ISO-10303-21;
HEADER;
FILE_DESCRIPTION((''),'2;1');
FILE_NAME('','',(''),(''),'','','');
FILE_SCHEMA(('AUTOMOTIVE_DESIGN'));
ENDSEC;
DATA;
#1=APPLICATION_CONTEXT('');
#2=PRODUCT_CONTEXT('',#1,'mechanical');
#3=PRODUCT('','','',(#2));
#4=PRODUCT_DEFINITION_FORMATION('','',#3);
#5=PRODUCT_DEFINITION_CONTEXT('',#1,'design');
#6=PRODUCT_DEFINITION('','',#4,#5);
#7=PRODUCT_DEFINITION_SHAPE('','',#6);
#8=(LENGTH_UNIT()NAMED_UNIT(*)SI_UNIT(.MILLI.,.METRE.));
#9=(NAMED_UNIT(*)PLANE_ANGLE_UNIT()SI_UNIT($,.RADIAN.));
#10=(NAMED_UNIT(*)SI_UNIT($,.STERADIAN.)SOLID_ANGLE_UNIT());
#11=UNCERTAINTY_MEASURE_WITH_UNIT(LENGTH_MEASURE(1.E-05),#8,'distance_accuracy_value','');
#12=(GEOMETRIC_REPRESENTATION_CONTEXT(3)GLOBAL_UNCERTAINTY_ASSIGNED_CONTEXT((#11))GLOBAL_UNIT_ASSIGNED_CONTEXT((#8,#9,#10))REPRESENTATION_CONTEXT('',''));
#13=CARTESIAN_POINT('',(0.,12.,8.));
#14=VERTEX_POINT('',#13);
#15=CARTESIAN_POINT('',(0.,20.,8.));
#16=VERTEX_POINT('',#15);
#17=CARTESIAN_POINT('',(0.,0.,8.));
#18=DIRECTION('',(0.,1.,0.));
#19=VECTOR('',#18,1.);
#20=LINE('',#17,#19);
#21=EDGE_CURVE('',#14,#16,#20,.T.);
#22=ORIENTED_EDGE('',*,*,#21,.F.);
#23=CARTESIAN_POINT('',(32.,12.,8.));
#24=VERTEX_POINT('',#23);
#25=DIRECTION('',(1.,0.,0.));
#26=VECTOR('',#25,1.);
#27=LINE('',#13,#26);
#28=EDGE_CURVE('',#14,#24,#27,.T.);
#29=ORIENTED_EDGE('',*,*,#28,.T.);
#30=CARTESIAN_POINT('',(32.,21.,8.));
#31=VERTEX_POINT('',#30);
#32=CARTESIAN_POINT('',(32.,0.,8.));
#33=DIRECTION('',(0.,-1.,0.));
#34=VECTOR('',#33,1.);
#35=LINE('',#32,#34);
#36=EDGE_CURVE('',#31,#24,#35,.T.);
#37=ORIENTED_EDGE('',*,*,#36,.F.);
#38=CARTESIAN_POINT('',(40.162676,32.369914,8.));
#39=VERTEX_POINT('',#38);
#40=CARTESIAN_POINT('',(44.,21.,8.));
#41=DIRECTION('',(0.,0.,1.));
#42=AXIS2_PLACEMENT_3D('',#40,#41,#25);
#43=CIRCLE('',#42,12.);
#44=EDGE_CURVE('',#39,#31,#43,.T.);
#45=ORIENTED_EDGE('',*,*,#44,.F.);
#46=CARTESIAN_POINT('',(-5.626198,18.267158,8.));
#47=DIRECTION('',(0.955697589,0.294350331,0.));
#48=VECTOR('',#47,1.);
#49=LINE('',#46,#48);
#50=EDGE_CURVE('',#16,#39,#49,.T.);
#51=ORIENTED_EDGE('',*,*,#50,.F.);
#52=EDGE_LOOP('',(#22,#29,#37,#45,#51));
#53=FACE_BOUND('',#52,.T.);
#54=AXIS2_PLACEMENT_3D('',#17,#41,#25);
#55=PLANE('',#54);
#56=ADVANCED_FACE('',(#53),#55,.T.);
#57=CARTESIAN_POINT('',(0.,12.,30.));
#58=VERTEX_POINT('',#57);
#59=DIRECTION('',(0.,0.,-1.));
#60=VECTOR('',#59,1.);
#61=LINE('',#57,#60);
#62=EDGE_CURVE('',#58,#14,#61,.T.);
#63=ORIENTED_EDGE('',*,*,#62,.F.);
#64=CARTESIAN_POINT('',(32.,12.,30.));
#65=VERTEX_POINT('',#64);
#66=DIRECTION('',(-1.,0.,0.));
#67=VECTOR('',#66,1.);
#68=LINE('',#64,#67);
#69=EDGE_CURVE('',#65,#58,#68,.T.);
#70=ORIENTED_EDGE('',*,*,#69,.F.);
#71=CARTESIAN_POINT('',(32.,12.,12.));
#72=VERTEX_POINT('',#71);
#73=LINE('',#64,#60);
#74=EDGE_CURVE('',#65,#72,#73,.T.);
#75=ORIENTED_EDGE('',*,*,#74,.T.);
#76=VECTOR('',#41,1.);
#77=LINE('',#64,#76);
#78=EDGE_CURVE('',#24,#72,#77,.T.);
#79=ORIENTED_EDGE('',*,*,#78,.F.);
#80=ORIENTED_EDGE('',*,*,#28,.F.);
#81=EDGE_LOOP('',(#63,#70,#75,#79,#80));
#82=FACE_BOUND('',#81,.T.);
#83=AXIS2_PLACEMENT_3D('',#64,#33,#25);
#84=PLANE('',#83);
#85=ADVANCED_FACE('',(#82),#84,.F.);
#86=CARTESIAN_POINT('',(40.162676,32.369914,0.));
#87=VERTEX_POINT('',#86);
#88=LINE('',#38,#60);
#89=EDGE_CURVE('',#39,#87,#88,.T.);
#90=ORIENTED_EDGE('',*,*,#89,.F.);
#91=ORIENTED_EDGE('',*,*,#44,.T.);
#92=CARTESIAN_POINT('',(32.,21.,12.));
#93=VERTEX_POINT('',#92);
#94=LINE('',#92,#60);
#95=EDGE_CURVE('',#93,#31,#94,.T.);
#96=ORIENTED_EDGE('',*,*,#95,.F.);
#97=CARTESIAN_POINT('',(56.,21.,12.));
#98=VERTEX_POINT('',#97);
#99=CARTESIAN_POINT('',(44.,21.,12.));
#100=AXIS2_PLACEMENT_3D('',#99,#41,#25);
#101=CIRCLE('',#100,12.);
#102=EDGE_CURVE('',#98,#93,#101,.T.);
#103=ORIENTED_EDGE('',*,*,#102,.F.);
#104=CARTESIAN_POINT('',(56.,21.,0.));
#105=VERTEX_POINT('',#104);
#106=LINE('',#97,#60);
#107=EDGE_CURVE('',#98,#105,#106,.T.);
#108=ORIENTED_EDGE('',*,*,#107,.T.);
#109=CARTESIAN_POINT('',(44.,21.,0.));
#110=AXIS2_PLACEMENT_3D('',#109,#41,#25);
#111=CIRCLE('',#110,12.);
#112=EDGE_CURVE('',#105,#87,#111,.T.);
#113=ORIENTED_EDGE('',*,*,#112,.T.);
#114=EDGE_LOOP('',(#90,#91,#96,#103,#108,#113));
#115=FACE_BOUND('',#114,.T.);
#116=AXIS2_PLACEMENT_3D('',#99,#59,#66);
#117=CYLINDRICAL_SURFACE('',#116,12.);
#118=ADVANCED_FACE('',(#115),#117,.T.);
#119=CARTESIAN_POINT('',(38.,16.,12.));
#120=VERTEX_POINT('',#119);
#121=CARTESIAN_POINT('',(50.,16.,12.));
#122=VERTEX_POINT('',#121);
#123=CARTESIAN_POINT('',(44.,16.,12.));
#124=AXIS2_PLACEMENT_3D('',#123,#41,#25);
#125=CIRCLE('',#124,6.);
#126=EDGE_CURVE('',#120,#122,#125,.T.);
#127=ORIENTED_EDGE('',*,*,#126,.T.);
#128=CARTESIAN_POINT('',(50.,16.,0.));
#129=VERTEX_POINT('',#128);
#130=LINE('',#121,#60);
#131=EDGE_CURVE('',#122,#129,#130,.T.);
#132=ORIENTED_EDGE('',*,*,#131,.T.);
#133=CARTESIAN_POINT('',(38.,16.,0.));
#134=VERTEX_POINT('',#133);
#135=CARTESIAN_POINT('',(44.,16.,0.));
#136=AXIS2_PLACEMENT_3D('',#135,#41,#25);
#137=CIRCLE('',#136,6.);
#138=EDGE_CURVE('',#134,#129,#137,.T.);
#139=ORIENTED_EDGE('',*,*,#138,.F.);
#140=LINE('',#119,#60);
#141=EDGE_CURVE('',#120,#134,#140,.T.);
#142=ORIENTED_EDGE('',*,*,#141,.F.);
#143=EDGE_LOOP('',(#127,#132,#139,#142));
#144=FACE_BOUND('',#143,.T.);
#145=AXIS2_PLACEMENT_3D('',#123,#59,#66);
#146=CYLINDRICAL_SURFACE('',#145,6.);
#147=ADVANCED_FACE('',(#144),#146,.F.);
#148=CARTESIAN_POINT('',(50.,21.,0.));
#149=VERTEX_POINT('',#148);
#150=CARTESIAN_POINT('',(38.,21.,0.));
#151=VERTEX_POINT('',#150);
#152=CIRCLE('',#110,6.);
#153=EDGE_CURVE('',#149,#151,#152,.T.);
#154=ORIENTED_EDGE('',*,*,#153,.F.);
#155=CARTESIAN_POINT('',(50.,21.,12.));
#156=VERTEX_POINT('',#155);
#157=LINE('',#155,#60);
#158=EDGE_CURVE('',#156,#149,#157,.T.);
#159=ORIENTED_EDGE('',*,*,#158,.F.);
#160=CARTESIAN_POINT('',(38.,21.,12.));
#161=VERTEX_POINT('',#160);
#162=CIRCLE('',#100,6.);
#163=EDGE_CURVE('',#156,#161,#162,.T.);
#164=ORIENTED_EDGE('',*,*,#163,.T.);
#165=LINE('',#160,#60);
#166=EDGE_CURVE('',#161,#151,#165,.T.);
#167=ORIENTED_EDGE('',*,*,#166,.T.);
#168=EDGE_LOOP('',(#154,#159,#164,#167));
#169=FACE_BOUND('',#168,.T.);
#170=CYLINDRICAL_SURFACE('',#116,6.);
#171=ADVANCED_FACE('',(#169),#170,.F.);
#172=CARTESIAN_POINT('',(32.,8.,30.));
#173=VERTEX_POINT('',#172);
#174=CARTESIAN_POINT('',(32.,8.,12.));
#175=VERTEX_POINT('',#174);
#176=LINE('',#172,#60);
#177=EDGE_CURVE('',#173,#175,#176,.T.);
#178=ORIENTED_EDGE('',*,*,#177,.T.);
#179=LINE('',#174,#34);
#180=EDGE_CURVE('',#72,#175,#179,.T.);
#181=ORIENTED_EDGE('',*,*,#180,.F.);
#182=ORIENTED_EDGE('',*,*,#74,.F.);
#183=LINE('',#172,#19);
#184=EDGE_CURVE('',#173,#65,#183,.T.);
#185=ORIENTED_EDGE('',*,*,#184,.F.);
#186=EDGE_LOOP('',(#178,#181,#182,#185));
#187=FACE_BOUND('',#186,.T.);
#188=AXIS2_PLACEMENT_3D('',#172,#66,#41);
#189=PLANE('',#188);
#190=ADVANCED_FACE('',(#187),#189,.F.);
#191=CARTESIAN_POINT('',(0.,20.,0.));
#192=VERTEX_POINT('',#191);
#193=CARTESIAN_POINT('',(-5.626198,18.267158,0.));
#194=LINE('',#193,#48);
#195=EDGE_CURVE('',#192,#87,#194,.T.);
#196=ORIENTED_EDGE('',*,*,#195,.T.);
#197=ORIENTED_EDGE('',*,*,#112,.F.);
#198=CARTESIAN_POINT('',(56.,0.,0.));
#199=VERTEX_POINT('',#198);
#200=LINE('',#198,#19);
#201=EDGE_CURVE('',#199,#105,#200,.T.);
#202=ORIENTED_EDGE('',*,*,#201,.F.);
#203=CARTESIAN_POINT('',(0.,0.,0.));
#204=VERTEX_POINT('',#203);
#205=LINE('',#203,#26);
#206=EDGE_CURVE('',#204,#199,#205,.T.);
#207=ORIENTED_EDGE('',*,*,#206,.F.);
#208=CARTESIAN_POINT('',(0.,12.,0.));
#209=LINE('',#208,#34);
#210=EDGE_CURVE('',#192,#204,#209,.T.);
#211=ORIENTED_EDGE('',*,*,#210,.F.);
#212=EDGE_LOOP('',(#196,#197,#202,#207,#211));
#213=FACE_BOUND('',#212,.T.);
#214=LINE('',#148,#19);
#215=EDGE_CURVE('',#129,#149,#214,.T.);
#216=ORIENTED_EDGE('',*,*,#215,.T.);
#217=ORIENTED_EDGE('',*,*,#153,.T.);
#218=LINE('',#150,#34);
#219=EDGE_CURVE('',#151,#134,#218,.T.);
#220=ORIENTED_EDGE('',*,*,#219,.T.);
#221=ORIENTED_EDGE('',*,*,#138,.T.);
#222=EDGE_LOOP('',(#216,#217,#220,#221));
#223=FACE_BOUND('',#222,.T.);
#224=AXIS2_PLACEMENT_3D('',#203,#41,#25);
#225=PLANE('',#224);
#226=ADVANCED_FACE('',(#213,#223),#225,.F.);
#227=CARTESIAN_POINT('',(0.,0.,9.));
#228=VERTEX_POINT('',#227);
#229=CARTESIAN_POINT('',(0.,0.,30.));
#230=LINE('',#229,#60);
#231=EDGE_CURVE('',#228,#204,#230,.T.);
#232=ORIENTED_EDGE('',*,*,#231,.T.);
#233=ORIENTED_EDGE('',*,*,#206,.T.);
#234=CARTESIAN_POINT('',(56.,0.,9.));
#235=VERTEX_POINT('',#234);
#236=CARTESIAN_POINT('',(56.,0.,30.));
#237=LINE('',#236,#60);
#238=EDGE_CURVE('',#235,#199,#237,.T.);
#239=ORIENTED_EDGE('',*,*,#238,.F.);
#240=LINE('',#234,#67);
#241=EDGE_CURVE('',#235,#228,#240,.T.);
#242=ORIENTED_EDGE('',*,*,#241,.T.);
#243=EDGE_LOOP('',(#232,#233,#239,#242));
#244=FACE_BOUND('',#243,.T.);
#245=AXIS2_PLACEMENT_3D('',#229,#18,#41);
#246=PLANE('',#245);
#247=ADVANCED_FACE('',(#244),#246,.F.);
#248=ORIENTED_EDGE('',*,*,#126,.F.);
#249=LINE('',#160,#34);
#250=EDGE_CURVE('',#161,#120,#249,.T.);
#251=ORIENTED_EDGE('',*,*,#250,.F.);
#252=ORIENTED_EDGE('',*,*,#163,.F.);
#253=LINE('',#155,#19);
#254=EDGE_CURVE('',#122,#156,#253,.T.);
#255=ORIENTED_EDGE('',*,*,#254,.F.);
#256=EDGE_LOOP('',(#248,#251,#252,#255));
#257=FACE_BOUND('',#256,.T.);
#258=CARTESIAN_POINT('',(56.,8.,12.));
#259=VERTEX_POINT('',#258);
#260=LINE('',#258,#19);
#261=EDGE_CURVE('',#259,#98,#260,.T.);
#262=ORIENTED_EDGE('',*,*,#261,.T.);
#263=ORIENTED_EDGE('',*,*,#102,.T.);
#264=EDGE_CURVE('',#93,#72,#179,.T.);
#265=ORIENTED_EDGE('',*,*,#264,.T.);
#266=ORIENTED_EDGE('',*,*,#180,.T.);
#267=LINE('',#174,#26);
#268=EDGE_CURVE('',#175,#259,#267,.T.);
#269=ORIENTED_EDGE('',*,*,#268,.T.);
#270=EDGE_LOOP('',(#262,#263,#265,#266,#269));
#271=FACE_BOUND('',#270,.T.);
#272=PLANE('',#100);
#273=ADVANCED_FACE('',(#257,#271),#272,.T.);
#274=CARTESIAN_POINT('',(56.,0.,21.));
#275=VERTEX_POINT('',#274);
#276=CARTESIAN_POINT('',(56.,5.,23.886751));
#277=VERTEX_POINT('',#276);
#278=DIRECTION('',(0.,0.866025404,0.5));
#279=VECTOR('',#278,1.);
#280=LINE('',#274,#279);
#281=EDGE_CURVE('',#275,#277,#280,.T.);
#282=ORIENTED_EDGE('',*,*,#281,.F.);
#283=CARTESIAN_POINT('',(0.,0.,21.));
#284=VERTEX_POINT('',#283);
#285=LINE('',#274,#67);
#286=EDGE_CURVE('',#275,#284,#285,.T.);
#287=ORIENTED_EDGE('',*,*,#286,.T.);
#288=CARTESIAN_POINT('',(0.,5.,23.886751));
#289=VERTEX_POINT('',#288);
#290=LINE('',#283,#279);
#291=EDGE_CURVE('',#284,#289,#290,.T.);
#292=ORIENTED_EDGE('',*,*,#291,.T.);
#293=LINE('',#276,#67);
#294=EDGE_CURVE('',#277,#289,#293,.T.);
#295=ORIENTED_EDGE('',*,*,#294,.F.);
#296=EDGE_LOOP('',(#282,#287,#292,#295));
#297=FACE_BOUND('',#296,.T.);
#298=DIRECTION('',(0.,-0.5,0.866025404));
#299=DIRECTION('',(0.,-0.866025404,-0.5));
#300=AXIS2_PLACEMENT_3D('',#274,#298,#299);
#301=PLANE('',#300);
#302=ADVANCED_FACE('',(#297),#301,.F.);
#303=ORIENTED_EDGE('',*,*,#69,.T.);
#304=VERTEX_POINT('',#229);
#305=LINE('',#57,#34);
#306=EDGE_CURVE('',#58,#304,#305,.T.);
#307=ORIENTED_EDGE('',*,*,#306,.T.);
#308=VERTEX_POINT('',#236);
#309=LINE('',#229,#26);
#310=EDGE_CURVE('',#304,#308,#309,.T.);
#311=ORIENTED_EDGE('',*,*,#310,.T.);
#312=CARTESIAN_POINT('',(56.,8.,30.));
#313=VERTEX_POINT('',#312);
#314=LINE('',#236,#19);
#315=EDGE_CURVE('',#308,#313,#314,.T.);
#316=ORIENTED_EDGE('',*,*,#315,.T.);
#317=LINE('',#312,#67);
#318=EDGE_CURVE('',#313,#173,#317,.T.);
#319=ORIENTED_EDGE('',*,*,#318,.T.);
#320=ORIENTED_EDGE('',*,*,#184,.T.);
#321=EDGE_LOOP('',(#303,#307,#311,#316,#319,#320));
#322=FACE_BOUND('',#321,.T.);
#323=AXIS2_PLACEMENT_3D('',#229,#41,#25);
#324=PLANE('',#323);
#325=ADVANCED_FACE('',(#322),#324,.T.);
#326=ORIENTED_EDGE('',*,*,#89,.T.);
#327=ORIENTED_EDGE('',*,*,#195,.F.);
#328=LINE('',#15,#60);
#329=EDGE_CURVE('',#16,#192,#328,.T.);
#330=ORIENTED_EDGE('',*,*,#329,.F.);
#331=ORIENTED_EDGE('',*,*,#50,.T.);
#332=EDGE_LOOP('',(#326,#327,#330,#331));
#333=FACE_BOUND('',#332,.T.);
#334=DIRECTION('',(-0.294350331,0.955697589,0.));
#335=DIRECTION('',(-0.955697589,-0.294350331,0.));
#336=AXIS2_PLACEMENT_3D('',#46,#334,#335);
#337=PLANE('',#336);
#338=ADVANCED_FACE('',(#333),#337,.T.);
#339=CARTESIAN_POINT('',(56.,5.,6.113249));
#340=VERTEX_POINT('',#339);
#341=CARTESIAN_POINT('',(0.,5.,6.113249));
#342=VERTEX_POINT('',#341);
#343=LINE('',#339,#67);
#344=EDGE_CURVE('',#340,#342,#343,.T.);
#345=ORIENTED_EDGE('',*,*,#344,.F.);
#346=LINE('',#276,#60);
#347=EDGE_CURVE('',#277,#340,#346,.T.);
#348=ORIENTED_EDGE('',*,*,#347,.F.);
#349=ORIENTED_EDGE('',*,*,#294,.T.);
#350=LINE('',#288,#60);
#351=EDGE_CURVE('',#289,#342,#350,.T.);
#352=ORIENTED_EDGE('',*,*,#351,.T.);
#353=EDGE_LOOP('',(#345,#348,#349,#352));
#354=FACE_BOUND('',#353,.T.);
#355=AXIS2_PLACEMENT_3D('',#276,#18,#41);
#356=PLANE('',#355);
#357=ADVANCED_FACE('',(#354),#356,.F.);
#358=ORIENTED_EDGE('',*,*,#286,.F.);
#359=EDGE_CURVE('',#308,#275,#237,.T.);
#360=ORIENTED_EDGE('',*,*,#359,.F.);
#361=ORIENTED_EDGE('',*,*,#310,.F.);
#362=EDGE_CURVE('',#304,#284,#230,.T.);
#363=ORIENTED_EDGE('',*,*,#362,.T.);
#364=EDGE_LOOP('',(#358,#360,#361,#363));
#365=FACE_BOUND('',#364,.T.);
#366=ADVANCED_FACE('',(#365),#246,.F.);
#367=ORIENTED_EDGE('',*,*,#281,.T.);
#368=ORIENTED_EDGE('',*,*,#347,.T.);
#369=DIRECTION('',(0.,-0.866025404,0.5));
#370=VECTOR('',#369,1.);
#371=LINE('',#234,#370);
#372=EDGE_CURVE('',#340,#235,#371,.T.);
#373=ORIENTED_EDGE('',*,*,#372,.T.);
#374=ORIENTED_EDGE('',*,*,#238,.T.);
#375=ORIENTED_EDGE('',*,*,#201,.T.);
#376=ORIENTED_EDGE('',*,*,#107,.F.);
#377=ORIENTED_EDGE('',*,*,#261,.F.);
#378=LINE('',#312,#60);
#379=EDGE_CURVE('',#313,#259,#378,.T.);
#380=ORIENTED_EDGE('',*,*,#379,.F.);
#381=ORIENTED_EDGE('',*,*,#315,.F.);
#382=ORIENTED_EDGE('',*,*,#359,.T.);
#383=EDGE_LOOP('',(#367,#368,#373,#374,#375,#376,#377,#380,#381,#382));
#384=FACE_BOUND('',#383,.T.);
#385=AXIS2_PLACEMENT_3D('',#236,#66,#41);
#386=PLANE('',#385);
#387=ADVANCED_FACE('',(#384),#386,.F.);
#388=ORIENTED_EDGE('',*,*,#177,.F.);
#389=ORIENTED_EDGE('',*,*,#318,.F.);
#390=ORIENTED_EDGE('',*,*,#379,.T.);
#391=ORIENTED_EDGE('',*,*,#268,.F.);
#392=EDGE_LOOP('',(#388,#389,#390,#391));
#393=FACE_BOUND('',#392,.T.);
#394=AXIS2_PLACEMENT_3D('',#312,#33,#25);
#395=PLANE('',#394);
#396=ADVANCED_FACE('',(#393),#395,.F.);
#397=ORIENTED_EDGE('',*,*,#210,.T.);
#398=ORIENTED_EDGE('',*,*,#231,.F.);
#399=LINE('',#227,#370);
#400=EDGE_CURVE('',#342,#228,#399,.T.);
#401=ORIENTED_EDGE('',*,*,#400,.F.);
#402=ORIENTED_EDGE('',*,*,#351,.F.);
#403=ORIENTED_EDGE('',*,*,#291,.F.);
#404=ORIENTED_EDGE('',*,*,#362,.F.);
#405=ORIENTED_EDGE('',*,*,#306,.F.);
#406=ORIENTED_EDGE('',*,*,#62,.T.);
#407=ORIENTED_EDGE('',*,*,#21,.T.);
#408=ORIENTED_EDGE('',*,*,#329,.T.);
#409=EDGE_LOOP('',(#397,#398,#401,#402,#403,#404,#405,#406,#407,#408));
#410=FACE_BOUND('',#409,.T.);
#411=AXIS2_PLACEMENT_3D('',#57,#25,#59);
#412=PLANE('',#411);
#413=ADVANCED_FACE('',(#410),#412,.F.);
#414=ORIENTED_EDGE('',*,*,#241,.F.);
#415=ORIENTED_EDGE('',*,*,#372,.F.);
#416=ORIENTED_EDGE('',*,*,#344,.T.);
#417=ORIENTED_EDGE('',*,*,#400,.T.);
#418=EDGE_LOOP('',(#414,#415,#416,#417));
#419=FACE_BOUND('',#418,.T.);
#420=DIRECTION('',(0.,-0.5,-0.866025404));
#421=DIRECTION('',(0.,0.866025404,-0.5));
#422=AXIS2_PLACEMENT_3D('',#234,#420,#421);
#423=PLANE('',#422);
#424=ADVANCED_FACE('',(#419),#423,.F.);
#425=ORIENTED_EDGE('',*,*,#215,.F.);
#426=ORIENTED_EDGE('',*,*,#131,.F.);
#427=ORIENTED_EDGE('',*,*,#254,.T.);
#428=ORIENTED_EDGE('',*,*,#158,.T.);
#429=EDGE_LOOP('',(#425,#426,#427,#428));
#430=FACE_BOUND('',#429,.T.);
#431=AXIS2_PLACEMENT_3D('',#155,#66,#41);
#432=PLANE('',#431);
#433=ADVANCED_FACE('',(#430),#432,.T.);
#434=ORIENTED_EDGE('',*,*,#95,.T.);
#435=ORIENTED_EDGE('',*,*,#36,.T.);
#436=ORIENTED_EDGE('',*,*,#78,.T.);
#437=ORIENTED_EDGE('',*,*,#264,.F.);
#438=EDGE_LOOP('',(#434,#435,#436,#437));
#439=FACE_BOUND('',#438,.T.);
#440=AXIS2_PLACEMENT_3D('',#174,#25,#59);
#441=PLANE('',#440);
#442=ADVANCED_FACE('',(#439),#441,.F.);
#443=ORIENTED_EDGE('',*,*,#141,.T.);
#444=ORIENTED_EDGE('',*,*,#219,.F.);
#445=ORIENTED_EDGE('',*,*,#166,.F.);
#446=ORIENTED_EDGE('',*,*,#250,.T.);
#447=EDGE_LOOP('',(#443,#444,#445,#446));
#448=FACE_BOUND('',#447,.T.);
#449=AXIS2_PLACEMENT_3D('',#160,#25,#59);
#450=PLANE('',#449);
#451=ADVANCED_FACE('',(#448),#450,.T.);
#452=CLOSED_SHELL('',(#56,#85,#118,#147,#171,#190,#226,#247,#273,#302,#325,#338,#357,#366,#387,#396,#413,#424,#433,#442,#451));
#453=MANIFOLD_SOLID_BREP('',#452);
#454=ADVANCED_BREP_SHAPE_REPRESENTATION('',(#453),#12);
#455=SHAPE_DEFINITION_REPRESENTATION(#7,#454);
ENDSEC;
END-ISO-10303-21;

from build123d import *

# Parameters (mm, degrees)
BOSS_EXTRUDE1_DEPTH     = 30
BOSS_EXTRUDE2_DEPTH     = 12
BOSS_EXTRUDE3_DEPTH     = 8
CUT_EXTRUDE1_DEPTH      = 72.589105316
CUT_EXTRUDE1_DEPTH_BACK = 72.589105316


with BuildPart() as part:
    # Sketch2 → Boss-Extrude1 (new body)
    with BuildSketch(Plane.XY):
        Polygon((0, 0), (56, 0), (56, 8), (32, 8), (32, 12), (0, 12), align=None)
    extrude(amount=BOSS_EXTRUDE1_DEPTH)

    # Sketch3 → Boss-Extrude2 (add)
    with BuildSketch(Plane.XY):
        with BuildLine():
            Line((32, 8), (32, 21))
            ThreePointArc((32, 21), (44, 33), (56, 21))
            Line((56, 21), (56, 8))
            Line((56, 8), (32, 8))
        make_face()
        with BuildLine():
            Line((50, 21), (50, 16))
            ThreePointArc((50, 16), (44, 10), (38, 16))
            Line((38, 16), (38, 21))
            ThreePointArc((38, 21), (44, 27), (50, 21))
        make_face(mode=Mode.SUBTRACT)
    extrude(amount=BOSS_EXTRUDE2_DEPTH)

    # Sketch4 → Boss-Extrude3 (add)
    with BuildSketch(Plane.XY):
        with BuildLine():
            Line((0, 20), (0, 12))
            Line((0, 12), (32, 12))
            Line((32, 12), (32, 21))
            ThreePointArc((32, 21), (34.251977355, 27.998289399), (40.162675751, 32.369913923))
            Line((40.162675751, 32.369913923), (0, 20))
        make_face()
    extrude(amount=BOSS_EXTRUDE3_DEPTH)

    # Sketch5 → Cut-Extrude1 (cut, two sides: drawn at the far end of the back side and taken through both)
    with BuildSketch(Plane.ZY.offset(-CUT_EXTRUDE1_DEPTH_BACK)):
        Polygon((9, 0), (21, 0), (23.886751346, 5), (6.113248654, 5), align=None)
    extrude(amount=CUT_EXTRUDE1_DEPTH + CUT_EXTRUDE1_DEPTH_BACK, mode=Mode.SUBTRACT)


solid = part.part
